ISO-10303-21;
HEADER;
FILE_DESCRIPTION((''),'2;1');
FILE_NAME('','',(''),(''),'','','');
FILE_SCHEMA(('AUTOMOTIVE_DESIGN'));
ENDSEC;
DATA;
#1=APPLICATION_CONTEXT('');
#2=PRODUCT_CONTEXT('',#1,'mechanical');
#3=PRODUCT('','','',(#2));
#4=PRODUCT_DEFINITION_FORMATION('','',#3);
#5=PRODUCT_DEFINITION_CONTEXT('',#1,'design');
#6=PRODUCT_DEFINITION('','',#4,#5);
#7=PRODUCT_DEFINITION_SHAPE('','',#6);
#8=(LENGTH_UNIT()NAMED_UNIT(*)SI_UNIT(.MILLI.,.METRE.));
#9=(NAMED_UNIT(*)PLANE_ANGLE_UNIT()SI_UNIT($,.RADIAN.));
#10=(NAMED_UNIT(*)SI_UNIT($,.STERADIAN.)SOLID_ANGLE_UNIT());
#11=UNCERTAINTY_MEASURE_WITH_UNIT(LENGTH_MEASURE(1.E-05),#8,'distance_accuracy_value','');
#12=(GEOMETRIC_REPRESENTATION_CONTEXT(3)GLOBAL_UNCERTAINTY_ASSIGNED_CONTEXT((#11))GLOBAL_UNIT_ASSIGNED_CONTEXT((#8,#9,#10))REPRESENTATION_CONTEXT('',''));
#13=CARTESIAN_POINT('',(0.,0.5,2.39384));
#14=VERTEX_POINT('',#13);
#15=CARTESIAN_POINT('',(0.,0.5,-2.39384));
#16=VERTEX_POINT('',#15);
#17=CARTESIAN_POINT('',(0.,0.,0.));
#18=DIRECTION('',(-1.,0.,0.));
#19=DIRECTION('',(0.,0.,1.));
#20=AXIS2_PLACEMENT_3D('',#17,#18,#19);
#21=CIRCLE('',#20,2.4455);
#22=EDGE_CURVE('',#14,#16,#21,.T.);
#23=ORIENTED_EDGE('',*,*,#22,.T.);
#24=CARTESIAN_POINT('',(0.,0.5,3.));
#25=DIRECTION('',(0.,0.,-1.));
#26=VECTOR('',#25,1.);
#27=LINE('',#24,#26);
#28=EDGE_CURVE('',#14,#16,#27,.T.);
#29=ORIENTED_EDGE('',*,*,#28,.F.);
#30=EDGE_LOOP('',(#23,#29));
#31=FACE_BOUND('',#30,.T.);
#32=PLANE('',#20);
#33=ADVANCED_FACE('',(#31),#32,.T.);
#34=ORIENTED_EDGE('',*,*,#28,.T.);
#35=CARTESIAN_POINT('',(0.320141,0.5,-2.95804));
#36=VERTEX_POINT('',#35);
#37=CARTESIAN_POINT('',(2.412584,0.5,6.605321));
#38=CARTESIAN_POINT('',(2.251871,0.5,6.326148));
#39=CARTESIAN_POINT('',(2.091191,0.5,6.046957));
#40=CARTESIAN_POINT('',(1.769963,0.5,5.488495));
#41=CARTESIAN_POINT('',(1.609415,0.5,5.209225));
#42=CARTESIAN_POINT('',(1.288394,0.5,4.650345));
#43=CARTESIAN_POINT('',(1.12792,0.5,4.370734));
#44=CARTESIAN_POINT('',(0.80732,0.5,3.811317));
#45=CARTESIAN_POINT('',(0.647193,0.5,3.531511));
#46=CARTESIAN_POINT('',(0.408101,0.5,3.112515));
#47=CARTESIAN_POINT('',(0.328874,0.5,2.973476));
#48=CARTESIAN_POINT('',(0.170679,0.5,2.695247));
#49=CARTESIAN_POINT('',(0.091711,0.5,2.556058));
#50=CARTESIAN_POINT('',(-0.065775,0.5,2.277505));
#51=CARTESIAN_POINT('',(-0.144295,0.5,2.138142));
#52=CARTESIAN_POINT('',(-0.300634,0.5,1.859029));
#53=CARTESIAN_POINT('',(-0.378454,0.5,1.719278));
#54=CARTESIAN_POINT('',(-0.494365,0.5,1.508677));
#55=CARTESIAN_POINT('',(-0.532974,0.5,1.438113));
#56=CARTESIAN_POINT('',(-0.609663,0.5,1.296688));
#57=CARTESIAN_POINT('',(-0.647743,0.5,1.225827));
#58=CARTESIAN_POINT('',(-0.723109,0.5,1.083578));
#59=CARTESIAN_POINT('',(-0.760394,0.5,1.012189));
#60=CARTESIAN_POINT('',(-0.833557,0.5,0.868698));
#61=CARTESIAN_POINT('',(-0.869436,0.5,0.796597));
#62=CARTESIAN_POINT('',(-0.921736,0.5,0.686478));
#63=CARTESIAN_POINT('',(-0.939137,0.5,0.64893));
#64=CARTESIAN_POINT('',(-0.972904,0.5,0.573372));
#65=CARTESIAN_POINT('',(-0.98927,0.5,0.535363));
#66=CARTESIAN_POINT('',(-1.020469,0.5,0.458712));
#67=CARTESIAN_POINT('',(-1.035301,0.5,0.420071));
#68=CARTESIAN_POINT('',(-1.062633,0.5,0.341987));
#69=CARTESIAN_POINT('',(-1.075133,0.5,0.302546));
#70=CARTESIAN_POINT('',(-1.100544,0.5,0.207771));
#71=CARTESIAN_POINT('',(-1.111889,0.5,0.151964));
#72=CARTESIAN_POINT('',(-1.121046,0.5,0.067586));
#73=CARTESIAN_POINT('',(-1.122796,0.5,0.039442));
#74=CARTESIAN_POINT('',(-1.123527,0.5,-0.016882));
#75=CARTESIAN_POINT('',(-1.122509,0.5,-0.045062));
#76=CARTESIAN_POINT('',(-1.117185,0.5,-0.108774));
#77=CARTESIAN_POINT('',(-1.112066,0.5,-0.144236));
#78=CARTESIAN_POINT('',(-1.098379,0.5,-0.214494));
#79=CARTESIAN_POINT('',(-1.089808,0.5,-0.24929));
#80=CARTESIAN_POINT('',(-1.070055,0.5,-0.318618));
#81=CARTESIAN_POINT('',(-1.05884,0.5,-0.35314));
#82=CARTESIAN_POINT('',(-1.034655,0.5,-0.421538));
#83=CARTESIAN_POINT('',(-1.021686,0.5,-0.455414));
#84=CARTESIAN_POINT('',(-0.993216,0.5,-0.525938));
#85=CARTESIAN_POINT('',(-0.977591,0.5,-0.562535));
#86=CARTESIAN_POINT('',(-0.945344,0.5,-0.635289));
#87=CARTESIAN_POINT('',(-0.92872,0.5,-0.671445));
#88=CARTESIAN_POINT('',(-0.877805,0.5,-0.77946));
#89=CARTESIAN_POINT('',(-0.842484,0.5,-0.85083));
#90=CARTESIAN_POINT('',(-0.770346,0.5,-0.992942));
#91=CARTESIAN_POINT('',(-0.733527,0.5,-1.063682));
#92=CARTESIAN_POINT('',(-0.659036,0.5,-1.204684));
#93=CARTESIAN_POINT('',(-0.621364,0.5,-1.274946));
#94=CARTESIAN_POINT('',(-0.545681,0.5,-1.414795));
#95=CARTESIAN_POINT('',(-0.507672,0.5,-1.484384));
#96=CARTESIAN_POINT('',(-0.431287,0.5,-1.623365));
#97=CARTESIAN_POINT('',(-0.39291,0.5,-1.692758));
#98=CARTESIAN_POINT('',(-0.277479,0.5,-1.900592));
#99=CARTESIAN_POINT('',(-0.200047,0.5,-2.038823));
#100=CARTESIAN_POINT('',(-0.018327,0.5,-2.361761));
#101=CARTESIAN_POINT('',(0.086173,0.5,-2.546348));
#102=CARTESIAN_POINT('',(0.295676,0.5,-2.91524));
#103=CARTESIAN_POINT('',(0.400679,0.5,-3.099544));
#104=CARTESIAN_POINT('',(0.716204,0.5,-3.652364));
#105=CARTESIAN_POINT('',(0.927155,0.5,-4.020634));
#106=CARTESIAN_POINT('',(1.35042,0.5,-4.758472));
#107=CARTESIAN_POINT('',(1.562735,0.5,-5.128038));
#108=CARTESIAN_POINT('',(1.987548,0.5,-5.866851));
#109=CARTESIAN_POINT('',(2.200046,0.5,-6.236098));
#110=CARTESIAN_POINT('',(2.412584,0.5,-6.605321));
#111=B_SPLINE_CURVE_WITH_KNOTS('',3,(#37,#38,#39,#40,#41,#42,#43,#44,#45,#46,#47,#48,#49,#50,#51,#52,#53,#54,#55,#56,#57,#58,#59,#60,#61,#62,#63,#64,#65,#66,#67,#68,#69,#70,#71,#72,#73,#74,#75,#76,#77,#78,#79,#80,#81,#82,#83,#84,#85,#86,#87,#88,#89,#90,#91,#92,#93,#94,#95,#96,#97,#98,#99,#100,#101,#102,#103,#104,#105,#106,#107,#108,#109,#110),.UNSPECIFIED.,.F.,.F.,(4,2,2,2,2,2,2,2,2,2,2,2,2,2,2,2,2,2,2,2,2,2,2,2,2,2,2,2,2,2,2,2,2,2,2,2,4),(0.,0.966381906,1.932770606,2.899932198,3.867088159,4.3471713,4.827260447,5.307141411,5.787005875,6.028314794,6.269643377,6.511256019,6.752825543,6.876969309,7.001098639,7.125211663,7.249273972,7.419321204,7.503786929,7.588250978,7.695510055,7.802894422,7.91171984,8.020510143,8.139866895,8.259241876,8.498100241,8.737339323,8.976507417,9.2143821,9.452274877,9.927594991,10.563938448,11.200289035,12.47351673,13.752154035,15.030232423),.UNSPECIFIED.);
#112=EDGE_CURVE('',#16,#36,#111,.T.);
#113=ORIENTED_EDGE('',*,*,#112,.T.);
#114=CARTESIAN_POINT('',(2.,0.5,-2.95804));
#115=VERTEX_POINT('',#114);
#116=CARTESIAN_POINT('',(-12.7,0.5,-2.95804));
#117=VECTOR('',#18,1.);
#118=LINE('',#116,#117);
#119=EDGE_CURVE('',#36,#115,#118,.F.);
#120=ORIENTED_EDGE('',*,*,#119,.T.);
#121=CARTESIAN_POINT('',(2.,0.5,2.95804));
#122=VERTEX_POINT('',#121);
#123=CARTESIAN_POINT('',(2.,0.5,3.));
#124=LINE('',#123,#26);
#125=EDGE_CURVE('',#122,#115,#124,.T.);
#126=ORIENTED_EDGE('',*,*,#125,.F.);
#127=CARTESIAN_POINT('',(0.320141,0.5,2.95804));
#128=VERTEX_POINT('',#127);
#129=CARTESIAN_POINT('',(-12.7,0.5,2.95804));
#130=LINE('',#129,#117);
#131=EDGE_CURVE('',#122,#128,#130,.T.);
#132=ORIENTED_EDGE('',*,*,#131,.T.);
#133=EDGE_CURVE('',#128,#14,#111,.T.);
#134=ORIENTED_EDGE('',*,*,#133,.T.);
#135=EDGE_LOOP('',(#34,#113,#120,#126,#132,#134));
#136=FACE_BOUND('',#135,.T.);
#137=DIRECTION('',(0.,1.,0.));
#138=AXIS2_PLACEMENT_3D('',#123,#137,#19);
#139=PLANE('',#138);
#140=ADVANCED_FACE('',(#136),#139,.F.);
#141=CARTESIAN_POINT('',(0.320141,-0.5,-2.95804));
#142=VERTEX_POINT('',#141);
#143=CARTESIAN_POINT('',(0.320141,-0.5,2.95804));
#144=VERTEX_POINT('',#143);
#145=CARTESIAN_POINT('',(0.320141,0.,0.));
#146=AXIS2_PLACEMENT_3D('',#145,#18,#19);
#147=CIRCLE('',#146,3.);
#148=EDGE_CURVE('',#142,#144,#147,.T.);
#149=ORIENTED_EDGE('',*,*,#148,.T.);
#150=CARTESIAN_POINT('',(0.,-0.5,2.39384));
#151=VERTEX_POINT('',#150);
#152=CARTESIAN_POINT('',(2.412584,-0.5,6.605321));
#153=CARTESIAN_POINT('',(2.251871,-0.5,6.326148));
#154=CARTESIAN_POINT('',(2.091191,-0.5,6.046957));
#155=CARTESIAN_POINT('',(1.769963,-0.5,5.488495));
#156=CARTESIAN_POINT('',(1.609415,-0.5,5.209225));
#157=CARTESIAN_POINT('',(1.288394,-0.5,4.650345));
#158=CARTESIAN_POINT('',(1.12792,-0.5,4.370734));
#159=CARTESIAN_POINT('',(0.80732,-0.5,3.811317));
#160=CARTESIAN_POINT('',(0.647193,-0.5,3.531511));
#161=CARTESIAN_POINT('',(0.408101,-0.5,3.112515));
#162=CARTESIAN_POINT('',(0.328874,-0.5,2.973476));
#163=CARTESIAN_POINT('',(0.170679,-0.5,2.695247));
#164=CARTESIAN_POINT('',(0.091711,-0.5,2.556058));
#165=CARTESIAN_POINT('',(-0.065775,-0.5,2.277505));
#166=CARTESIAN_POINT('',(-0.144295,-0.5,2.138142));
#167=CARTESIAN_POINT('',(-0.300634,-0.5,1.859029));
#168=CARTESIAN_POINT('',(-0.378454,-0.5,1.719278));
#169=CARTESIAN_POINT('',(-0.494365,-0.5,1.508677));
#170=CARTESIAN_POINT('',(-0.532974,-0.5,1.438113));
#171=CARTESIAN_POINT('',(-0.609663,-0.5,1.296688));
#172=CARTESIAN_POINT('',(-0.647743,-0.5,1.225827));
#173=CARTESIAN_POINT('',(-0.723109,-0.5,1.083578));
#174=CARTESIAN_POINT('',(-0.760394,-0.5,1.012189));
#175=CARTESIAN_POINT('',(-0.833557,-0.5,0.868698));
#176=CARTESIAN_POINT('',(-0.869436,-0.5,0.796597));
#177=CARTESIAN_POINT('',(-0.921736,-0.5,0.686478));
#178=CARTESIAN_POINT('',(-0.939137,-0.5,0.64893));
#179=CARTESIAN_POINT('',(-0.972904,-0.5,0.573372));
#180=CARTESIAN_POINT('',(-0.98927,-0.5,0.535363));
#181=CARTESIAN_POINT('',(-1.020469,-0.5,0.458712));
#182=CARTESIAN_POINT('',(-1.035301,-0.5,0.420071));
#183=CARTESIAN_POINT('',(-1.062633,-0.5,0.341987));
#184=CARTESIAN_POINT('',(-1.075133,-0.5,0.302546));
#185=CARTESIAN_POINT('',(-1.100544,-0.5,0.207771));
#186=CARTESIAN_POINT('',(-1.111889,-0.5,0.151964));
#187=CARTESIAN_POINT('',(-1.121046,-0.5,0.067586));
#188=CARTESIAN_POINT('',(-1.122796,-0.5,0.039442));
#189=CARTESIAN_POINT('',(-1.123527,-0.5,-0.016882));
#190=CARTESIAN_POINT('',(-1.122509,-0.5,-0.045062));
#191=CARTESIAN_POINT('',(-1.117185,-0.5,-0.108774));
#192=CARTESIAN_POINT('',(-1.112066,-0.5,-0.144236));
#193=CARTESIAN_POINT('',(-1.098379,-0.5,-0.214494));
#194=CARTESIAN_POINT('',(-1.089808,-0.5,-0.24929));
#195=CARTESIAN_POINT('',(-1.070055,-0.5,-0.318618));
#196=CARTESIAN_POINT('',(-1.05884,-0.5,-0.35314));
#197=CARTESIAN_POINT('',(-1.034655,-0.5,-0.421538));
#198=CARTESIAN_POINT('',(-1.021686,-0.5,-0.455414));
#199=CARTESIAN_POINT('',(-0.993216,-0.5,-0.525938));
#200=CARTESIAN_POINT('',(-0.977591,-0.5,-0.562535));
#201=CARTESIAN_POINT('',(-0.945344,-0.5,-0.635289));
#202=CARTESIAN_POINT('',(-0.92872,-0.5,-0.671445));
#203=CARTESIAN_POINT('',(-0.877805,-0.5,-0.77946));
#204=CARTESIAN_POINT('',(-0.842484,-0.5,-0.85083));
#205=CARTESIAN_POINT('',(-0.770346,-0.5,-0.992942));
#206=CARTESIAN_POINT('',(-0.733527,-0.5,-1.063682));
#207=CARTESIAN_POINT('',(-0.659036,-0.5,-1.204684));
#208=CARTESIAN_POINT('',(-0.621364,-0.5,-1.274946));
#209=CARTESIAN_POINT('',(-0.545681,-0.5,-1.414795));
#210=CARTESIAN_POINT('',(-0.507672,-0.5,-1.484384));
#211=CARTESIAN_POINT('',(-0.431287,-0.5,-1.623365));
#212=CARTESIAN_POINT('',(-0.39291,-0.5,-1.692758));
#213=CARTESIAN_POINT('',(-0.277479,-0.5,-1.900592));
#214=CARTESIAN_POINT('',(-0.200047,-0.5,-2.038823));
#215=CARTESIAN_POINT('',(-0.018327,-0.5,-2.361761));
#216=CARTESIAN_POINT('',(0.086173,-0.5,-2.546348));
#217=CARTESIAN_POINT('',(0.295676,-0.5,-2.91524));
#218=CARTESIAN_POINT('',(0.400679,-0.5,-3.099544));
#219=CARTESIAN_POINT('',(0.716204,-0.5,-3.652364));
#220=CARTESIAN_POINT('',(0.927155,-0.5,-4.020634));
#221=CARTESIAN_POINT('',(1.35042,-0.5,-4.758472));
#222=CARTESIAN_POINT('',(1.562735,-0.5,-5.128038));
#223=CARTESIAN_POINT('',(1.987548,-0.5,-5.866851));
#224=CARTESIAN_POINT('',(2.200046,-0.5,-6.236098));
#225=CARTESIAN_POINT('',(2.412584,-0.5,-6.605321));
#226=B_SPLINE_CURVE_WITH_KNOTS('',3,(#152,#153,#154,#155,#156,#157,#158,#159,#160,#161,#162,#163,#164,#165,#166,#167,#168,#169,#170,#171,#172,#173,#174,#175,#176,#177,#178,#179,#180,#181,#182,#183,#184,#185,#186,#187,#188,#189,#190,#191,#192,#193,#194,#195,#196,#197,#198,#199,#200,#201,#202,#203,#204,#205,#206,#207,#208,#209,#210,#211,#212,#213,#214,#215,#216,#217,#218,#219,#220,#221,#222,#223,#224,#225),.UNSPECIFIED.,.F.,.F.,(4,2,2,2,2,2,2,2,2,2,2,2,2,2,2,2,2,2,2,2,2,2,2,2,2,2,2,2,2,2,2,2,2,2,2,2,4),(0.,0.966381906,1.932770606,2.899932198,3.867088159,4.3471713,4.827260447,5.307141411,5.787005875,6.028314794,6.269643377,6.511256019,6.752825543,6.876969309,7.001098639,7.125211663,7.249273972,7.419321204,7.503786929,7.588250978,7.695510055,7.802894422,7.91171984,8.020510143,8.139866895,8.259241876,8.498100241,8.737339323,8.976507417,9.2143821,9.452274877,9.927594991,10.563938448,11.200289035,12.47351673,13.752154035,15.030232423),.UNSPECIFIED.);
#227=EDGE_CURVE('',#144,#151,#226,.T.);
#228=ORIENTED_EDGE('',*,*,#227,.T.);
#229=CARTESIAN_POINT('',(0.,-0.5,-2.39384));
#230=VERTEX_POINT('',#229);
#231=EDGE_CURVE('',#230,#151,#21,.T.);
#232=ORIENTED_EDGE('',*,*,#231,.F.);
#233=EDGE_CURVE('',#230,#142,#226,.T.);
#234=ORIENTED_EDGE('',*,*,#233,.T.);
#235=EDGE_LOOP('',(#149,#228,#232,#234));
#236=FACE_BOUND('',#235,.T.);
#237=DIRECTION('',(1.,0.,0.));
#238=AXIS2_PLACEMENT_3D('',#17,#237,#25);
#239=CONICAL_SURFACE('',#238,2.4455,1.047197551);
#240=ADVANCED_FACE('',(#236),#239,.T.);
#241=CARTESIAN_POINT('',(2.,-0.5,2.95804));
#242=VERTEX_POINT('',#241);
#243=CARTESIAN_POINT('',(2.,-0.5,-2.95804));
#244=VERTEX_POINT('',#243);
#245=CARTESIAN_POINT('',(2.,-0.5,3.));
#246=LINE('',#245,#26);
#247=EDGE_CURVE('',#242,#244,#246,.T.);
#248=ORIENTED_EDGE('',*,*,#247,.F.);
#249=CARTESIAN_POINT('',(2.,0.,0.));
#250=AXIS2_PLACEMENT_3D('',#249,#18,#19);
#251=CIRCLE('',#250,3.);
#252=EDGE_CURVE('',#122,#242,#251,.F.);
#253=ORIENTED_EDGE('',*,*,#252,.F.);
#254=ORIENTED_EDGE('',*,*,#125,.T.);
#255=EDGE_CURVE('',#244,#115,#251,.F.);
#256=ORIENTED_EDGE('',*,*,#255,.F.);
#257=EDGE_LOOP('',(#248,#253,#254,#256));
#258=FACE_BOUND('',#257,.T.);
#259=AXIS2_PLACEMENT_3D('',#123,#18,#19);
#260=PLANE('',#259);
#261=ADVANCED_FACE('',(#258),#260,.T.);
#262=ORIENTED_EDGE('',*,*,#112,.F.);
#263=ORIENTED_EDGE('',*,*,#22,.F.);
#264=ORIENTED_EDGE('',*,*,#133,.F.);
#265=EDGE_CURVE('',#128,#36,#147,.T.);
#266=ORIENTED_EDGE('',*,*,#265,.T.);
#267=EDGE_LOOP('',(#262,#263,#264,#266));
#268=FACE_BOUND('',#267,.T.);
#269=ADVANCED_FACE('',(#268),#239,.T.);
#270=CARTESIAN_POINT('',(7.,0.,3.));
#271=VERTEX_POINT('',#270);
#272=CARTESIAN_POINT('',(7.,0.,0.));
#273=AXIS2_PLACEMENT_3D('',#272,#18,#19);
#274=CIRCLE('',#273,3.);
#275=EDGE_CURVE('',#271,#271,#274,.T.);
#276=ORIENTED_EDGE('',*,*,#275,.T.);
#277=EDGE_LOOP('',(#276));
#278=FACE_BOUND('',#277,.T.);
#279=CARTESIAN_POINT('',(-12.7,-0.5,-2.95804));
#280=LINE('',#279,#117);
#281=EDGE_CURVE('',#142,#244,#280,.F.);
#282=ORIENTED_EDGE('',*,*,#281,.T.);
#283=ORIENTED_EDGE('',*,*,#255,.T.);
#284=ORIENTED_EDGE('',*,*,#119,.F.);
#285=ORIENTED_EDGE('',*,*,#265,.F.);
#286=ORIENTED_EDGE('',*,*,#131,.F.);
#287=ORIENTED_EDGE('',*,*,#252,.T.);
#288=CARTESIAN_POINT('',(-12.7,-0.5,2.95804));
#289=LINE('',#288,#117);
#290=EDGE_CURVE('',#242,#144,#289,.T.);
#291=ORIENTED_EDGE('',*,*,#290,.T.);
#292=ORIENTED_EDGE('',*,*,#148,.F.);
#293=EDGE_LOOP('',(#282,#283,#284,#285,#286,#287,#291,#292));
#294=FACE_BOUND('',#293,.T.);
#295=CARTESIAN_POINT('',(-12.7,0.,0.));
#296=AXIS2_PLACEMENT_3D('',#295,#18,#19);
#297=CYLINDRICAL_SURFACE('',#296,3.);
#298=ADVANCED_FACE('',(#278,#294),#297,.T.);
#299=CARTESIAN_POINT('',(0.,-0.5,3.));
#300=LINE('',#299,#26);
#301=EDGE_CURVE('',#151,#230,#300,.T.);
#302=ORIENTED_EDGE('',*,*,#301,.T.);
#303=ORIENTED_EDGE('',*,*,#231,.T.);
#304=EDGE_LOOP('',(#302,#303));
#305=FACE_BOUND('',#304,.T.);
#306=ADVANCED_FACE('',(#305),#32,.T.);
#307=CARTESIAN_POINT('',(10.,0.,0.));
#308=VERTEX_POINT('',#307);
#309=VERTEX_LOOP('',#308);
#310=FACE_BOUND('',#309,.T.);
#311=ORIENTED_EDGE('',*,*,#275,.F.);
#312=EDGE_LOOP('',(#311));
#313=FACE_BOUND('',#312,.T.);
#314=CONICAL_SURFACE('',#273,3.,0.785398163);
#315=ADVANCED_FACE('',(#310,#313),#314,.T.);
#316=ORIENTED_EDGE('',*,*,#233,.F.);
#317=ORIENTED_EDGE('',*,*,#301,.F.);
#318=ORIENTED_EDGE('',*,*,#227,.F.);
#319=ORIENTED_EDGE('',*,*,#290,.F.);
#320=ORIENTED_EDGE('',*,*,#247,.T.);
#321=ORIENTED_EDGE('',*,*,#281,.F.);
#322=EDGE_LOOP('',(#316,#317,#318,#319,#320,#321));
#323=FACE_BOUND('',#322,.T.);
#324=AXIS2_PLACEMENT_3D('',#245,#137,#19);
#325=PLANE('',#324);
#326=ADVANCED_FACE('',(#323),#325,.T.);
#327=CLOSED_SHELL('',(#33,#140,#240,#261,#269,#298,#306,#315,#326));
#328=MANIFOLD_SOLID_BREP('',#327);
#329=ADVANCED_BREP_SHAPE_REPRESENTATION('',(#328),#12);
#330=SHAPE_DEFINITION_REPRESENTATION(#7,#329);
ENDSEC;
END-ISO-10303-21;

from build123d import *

# Parameters (mm, degrees)
SKETCH2_W  = 6
SKETCH2_H  = 1
SLOT_DEPTH = 2


with BuildPart() as part:
    # BodySke → BaseBody (revolve)
    with BuildSketch(Plane.XY):
        Polygon((0, 0), (0, 2.4455), (0.320140724, 3), (7, 3), (10, 0), align=None)
    revolve(axis=Axis((-12.7, 0, 0), (1, 0, 0)))

    # Sketch2 → Slot (cut)
    with BuildSketch(Plane.ZY):
        Rectangle(SKETCH2_W, SKETCH2_H)
    extrude(amount=-SLOT_DEPTH, mode=Mode.SUBTRACT)


solid = part.part
